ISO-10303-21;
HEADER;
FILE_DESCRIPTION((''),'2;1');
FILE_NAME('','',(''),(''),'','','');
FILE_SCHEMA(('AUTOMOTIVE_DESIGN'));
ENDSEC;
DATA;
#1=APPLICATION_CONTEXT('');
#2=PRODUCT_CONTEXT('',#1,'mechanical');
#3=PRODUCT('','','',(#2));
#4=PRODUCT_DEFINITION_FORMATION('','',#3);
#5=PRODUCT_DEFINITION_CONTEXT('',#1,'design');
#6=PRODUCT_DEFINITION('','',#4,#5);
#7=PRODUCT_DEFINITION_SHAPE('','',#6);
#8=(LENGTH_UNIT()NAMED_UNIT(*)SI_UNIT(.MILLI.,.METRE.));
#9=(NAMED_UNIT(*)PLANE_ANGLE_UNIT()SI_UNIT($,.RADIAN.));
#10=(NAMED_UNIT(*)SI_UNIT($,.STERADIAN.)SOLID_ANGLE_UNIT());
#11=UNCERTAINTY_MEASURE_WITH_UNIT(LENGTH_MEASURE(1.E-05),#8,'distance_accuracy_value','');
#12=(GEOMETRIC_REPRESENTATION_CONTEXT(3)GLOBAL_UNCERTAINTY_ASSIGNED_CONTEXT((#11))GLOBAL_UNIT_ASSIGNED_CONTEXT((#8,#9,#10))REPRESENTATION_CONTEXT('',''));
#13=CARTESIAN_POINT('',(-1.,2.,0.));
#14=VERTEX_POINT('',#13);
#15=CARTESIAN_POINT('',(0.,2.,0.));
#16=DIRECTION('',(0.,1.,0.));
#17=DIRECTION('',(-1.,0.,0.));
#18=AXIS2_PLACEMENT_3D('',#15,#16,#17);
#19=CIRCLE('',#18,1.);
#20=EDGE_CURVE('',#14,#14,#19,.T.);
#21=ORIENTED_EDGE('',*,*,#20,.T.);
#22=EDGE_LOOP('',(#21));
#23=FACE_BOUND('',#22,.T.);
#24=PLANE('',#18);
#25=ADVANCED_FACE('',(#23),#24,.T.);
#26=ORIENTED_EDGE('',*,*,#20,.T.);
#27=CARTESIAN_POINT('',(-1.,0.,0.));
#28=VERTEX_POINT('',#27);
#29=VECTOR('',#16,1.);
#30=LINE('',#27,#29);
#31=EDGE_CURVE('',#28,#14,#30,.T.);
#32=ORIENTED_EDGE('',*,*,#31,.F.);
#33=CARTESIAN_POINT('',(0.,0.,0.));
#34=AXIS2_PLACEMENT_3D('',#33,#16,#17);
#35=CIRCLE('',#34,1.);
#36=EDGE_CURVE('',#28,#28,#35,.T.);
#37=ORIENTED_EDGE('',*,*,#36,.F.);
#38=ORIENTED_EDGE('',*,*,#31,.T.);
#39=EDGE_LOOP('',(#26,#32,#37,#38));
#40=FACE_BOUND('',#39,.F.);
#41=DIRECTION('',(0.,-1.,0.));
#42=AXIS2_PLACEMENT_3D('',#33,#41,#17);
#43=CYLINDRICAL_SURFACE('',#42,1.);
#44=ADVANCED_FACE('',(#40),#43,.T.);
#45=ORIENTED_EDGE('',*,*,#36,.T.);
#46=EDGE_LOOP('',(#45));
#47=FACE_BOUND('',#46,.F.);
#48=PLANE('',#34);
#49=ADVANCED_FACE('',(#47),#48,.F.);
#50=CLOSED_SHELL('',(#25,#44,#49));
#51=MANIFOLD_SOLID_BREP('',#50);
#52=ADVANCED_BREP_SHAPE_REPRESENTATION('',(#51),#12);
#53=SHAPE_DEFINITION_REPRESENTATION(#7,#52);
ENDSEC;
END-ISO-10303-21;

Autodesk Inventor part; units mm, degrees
ref_plane "YZ Plane" through (0, 0, 0) normal (1, 0, 0) x (0, 1, 0)
ref_plane "XZ Plane" through (0, 0, 0) normal (0, 1, 0) x (-1, 0, 0)
ref_plane "XY Plane" through (0, 0, 0) normal (0, 0, 1) x (1, 0, 0)
sketch "Skizze1" plane through (0, 0, 0) normal (0, 1, 0) x (-1, 0, 0)
  circle A0 centre (0, 0) radius 1
  dimension "d0" = 2
extrude "Extrusion1" add sketch "Skizze1" along normal blind 2
properties part number "BolzenKlein"
